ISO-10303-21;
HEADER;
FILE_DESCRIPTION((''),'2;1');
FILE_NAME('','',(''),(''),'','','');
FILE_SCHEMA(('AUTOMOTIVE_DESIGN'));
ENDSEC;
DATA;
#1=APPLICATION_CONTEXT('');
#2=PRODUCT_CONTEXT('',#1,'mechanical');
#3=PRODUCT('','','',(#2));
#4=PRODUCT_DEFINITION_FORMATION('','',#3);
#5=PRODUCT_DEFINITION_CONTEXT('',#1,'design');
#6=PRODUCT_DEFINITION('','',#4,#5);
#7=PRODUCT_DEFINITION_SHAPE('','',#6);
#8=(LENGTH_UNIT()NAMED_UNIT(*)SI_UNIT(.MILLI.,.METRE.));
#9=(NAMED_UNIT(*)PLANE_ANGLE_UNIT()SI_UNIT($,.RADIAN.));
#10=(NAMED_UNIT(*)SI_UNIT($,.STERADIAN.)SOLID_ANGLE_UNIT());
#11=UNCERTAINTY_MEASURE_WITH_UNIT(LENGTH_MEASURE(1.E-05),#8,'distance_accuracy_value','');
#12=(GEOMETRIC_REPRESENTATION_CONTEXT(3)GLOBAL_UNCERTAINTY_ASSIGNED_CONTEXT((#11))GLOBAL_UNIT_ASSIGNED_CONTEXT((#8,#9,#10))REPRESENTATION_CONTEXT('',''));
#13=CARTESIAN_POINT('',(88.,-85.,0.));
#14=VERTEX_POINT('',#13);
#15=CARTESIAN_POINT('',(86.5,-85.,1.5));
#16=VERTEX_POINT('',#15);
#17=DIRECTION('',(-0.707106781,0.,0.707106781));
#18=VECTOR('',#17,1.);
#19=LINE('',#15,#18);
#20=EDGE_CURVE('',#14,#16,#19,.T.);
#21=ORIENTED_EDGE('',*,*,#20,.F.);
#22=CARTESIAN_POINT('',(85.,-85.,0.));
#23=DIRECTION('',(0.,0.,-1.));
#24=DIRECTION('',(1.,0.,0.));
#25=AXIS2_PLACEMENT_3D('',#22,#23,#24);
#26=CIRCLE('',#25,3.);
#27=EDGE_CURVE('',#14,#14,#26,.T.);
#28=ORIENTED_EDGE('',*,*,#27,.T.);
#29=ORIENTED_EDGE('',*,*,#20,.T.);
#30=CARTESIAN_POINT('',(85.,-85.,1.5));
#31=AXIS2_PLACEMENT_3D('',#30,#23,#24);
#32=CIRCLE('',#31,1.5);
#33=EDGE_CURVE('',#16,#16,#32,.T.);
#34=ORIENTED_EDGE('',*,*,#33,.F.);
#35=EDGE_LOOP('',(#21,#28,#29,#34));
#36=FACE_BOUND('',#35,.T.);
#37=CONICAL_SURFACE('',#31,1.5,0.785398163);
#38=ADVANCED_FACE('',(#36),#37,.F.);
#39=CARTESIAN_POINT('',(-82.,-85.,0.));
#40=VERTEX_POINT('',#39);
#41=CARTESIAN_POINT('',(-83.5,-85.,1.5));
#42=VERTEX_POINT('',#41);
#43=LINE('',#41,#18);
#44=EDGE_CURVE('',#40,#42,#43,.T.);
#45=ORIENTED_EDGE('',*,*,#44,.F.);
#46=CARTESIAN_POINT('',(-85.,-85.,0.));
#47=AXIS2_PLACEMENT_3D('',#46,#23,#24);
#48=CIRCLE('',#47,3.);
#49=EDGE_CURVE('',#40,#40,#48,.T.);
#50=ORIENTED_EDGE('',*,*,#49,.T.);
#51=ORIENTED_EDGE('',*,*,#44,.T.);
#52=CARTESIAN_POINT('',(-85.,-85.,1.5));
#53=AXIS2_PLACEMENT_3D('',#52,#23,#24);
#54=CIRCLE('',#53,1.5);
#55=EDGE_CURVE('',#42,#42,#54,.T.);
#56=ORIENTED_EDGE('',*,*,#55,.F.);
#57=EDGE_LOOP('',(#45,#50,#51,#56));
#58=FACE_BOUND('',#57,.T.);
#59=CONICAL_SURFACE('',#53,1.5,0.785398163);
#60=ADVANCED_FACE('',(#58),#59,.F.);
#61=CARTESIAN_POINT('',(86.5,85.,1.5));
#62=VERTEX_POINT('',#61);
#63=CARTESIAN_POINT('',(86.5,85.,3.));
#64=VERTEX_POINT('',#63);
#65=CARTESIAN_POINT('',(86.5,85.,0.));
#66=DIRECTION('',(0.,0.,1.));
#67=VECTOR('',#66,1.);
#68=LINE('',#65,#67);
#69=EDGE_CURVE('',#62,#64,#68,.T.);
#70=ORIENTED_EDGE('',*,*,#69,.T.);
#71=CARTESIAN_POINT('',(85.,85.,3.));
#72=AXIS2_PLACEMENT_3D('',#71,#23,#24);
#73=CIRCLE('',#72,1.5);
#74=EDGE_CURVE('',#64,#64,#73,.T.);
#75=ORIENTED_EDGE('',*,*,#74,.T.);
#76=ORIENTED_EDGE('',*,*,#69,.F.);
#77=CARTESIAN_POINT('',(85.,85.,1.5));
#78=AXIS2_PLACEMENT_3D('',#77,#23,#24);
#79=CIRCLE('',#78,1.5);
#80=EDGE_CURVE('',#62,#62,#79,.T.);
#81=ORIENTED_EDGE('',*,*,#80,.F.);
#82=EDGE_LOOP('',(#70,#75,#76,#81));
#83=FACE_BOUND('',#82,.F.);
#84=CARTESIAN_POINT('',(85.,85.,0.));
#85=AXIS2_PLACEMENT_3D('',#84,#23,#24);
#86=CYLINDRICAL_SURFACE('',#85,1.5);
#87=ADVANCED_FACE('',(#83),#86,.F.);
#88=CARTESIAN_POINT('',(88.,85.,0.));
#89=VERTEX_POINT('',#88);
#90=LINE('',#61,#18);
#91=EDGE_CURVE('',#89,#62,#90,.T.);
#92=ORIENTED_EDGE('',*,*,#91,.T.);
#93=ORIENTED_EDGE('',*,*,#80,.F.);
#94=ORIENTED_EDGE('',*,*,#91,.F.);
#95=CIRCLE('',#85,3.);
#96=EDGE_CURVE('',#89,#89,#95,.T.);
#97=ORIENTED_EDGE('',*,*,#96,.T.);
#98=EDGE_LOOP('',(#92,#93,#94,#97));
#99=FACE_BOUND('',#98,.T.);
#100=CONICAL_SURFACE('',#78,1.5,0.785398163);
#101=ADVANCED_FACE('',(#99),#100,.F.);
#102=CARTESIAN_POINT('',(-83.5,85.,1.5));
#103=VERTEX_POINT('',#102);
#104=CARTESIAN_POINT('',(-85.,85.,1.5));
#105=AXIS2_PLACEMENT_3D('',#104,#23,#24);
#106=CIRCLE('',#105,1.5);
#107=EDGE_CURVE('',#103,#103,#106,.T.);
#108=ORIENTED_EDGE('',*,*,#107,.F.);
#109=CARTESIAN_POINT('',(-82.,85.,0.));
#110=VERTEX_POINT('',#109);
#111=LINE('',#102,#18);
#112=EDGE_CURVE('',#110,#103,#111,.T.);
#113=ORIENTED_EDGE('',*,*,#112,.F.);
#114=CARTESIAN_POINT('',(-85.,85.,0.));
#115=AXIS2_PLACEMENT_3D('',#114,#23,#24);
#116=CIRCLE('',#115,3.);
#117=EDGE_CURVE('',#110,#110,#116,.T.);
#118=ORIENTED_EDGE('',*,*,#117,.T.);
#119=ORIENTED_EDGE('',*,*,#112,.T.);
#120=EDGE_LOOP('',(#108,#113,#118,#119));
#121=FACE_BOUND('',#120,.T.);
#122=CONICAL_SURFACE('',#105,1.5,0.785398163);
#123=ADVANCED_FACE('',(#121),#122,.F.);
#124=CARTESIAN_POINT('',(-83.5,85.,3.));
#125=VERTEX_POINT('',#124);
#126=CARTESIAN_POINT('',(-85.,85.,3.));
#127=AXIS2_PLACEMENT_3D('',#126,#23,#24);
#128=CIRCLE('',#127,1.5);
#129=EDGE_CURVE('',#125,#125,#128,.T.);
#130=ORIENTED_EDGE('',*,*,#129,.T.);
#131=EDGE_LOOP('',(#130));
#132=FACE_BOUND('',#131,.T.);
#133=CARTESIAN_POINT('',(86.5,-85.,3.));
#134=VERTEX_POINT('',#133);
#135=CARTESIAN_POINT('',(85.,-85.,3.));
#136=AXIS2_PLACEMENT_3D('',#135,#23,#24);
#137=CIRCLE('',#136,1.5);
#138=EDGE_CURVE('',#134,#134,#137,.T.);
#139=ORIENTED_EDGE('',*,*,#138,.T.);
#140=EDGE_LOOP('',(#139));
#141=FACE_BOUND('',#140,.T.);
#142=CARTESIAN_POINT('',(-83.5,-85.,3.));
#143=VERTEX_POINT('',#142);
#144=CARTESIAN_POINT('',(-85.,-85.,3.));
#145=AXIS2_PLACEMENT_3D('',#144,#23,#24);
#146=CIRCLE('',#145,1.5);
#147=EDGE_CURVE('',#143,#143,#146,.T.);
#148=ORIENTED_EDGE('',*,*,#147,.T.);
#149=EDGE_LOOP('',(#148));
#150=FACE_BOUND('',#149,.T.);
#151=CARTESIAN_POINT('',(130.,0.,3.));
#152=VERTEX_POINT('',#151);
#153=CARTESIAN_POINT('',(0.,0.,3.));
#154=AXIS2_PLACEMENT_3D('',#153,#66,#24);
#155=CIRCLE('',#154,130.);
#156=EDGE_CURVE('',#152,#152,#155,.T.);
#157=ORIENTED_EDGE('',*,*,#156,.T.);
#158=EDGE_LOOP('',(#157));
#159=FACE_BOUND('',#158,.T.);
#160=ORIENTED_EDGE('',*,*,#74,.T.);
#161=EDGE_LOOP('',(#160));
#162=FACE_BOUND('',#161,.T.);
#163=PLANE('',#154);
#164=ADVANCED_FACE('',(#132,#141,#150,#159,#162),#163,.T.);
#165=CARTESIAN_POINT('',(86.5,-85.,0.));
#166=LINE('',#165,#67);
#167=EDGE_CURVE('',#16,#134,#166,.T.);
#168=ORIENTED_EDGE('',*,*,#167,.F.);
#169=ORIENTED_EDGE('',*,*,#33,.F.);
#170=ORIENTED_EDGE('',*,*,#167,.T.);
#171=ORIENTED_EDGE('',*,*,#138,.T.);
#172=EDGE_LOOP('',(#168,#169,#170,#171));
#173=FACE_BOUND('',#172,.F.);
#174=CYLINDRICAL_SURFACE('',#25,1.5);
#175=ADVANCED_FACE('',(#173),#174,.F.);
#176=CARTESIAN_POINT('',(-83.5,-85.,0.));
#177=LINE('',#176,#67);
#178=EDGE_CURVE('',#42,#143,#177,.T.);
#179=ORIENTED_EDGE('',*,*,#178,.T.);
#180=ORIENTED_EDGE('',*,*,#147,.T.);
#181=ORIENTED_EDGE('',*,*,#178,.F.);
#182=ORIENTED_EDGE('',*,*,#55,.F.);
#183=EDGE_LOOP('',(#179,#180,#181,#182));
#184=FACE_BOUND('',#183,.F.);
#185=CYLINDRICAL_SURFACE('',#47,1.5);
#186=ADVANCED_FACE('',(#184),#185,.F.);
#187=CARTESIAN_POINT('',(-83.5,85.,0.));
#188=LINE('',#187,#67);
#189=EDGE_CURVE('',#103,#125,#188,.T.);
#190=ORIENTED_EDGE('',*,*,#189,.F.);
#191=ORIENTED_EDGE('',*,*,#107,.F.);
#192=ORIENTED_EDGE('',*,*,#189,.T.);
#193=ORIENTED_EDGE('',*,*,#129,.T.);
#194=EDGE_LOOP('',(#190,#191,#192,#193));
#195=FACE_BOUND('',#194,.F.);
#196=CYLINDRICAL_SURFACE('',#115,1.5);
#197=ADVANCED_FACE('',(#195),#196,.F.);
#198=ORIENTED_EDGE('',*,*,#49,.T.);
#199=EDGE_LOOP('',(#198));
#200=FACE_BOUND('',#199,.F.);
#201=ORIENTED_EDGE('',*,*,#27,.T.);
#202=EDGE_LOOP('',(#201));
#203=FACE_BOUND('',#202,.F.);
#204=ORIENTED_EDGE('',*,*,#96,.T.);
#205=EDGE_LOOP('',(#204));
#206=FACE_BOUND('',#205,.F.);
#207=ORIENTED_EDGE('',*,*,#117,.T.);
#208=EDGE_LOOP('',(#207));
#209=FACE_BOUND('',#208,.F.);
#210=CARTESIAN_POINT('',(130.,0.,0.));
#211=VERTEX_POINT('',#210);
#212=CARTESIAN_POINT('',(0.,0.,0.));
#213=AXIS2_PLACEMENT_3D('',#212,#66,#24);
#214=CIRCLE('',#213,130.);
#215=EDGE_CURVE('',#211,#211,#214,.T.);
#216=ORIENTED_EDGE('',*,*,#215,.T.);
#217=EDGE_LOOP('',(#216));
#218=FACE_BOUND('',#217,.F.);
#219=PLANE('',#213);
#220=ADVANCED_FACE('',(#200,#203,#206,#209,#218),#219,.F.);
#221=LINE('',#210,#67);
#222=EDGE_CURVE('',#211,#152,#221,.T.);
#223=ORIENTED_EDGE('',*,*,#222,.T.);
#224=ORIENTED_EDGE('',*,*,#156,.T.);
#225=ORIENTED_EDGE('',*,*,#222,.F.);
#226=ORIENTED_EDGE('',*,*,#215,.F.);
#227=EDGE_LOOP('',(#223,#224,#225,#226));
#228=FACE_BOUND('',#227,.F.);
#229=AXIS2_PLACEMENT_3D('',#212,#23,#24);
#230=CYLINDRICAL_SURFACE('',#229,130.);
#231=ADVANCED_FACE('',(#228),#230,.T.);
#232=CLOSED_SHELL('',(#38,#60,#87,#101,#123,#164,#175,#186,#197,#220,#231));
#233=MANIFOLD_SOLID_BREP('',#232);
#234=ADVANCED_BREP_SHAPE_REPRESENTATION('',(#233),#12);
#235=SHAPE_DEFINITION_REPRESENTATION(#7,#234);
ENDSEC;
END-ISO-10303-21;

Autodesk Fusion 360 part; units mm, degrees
sketch "Skizze1" plane through (0, 0, 0) normal (0, 0, 1) x (1, 0, 0)
  circle A0 centre (0, 0) radius 130
  dimension "d1" = 260
extrude "Extrusion1" add sketch "Skizze1" along normal blind 3
sketch "Skizze3" plane through (0, 0, 0) normal (0, 0, -1) x (1, 0, 0)
  circle A0 centre (0, 0) radius 130
  circle A1 centre (-85, 85) radius 1.5
  circle A2 centre (-85, -85) radius 1.5
  circle A3 centre (85, -85) radius 1.5
  circle A4 centre (85, 85) radius 1.5
  dimension "d4" = 3
  dimension "d5" = 85
  dimension "d6" = 85
  dimension "d8" = 360
extrude "Extrusion2" cut sketch "Skizze3" against normal blind 3 contours A1 | A2 | A3 | A4
chamfer "Fase1" distance 1.5 angle 45 4 edges at (-86.3985, -85.5424, 0) (83.6015, -85.5424, 0) (-86.3985, 84.4576, 0) (83.6015, 84.4576, 0)
